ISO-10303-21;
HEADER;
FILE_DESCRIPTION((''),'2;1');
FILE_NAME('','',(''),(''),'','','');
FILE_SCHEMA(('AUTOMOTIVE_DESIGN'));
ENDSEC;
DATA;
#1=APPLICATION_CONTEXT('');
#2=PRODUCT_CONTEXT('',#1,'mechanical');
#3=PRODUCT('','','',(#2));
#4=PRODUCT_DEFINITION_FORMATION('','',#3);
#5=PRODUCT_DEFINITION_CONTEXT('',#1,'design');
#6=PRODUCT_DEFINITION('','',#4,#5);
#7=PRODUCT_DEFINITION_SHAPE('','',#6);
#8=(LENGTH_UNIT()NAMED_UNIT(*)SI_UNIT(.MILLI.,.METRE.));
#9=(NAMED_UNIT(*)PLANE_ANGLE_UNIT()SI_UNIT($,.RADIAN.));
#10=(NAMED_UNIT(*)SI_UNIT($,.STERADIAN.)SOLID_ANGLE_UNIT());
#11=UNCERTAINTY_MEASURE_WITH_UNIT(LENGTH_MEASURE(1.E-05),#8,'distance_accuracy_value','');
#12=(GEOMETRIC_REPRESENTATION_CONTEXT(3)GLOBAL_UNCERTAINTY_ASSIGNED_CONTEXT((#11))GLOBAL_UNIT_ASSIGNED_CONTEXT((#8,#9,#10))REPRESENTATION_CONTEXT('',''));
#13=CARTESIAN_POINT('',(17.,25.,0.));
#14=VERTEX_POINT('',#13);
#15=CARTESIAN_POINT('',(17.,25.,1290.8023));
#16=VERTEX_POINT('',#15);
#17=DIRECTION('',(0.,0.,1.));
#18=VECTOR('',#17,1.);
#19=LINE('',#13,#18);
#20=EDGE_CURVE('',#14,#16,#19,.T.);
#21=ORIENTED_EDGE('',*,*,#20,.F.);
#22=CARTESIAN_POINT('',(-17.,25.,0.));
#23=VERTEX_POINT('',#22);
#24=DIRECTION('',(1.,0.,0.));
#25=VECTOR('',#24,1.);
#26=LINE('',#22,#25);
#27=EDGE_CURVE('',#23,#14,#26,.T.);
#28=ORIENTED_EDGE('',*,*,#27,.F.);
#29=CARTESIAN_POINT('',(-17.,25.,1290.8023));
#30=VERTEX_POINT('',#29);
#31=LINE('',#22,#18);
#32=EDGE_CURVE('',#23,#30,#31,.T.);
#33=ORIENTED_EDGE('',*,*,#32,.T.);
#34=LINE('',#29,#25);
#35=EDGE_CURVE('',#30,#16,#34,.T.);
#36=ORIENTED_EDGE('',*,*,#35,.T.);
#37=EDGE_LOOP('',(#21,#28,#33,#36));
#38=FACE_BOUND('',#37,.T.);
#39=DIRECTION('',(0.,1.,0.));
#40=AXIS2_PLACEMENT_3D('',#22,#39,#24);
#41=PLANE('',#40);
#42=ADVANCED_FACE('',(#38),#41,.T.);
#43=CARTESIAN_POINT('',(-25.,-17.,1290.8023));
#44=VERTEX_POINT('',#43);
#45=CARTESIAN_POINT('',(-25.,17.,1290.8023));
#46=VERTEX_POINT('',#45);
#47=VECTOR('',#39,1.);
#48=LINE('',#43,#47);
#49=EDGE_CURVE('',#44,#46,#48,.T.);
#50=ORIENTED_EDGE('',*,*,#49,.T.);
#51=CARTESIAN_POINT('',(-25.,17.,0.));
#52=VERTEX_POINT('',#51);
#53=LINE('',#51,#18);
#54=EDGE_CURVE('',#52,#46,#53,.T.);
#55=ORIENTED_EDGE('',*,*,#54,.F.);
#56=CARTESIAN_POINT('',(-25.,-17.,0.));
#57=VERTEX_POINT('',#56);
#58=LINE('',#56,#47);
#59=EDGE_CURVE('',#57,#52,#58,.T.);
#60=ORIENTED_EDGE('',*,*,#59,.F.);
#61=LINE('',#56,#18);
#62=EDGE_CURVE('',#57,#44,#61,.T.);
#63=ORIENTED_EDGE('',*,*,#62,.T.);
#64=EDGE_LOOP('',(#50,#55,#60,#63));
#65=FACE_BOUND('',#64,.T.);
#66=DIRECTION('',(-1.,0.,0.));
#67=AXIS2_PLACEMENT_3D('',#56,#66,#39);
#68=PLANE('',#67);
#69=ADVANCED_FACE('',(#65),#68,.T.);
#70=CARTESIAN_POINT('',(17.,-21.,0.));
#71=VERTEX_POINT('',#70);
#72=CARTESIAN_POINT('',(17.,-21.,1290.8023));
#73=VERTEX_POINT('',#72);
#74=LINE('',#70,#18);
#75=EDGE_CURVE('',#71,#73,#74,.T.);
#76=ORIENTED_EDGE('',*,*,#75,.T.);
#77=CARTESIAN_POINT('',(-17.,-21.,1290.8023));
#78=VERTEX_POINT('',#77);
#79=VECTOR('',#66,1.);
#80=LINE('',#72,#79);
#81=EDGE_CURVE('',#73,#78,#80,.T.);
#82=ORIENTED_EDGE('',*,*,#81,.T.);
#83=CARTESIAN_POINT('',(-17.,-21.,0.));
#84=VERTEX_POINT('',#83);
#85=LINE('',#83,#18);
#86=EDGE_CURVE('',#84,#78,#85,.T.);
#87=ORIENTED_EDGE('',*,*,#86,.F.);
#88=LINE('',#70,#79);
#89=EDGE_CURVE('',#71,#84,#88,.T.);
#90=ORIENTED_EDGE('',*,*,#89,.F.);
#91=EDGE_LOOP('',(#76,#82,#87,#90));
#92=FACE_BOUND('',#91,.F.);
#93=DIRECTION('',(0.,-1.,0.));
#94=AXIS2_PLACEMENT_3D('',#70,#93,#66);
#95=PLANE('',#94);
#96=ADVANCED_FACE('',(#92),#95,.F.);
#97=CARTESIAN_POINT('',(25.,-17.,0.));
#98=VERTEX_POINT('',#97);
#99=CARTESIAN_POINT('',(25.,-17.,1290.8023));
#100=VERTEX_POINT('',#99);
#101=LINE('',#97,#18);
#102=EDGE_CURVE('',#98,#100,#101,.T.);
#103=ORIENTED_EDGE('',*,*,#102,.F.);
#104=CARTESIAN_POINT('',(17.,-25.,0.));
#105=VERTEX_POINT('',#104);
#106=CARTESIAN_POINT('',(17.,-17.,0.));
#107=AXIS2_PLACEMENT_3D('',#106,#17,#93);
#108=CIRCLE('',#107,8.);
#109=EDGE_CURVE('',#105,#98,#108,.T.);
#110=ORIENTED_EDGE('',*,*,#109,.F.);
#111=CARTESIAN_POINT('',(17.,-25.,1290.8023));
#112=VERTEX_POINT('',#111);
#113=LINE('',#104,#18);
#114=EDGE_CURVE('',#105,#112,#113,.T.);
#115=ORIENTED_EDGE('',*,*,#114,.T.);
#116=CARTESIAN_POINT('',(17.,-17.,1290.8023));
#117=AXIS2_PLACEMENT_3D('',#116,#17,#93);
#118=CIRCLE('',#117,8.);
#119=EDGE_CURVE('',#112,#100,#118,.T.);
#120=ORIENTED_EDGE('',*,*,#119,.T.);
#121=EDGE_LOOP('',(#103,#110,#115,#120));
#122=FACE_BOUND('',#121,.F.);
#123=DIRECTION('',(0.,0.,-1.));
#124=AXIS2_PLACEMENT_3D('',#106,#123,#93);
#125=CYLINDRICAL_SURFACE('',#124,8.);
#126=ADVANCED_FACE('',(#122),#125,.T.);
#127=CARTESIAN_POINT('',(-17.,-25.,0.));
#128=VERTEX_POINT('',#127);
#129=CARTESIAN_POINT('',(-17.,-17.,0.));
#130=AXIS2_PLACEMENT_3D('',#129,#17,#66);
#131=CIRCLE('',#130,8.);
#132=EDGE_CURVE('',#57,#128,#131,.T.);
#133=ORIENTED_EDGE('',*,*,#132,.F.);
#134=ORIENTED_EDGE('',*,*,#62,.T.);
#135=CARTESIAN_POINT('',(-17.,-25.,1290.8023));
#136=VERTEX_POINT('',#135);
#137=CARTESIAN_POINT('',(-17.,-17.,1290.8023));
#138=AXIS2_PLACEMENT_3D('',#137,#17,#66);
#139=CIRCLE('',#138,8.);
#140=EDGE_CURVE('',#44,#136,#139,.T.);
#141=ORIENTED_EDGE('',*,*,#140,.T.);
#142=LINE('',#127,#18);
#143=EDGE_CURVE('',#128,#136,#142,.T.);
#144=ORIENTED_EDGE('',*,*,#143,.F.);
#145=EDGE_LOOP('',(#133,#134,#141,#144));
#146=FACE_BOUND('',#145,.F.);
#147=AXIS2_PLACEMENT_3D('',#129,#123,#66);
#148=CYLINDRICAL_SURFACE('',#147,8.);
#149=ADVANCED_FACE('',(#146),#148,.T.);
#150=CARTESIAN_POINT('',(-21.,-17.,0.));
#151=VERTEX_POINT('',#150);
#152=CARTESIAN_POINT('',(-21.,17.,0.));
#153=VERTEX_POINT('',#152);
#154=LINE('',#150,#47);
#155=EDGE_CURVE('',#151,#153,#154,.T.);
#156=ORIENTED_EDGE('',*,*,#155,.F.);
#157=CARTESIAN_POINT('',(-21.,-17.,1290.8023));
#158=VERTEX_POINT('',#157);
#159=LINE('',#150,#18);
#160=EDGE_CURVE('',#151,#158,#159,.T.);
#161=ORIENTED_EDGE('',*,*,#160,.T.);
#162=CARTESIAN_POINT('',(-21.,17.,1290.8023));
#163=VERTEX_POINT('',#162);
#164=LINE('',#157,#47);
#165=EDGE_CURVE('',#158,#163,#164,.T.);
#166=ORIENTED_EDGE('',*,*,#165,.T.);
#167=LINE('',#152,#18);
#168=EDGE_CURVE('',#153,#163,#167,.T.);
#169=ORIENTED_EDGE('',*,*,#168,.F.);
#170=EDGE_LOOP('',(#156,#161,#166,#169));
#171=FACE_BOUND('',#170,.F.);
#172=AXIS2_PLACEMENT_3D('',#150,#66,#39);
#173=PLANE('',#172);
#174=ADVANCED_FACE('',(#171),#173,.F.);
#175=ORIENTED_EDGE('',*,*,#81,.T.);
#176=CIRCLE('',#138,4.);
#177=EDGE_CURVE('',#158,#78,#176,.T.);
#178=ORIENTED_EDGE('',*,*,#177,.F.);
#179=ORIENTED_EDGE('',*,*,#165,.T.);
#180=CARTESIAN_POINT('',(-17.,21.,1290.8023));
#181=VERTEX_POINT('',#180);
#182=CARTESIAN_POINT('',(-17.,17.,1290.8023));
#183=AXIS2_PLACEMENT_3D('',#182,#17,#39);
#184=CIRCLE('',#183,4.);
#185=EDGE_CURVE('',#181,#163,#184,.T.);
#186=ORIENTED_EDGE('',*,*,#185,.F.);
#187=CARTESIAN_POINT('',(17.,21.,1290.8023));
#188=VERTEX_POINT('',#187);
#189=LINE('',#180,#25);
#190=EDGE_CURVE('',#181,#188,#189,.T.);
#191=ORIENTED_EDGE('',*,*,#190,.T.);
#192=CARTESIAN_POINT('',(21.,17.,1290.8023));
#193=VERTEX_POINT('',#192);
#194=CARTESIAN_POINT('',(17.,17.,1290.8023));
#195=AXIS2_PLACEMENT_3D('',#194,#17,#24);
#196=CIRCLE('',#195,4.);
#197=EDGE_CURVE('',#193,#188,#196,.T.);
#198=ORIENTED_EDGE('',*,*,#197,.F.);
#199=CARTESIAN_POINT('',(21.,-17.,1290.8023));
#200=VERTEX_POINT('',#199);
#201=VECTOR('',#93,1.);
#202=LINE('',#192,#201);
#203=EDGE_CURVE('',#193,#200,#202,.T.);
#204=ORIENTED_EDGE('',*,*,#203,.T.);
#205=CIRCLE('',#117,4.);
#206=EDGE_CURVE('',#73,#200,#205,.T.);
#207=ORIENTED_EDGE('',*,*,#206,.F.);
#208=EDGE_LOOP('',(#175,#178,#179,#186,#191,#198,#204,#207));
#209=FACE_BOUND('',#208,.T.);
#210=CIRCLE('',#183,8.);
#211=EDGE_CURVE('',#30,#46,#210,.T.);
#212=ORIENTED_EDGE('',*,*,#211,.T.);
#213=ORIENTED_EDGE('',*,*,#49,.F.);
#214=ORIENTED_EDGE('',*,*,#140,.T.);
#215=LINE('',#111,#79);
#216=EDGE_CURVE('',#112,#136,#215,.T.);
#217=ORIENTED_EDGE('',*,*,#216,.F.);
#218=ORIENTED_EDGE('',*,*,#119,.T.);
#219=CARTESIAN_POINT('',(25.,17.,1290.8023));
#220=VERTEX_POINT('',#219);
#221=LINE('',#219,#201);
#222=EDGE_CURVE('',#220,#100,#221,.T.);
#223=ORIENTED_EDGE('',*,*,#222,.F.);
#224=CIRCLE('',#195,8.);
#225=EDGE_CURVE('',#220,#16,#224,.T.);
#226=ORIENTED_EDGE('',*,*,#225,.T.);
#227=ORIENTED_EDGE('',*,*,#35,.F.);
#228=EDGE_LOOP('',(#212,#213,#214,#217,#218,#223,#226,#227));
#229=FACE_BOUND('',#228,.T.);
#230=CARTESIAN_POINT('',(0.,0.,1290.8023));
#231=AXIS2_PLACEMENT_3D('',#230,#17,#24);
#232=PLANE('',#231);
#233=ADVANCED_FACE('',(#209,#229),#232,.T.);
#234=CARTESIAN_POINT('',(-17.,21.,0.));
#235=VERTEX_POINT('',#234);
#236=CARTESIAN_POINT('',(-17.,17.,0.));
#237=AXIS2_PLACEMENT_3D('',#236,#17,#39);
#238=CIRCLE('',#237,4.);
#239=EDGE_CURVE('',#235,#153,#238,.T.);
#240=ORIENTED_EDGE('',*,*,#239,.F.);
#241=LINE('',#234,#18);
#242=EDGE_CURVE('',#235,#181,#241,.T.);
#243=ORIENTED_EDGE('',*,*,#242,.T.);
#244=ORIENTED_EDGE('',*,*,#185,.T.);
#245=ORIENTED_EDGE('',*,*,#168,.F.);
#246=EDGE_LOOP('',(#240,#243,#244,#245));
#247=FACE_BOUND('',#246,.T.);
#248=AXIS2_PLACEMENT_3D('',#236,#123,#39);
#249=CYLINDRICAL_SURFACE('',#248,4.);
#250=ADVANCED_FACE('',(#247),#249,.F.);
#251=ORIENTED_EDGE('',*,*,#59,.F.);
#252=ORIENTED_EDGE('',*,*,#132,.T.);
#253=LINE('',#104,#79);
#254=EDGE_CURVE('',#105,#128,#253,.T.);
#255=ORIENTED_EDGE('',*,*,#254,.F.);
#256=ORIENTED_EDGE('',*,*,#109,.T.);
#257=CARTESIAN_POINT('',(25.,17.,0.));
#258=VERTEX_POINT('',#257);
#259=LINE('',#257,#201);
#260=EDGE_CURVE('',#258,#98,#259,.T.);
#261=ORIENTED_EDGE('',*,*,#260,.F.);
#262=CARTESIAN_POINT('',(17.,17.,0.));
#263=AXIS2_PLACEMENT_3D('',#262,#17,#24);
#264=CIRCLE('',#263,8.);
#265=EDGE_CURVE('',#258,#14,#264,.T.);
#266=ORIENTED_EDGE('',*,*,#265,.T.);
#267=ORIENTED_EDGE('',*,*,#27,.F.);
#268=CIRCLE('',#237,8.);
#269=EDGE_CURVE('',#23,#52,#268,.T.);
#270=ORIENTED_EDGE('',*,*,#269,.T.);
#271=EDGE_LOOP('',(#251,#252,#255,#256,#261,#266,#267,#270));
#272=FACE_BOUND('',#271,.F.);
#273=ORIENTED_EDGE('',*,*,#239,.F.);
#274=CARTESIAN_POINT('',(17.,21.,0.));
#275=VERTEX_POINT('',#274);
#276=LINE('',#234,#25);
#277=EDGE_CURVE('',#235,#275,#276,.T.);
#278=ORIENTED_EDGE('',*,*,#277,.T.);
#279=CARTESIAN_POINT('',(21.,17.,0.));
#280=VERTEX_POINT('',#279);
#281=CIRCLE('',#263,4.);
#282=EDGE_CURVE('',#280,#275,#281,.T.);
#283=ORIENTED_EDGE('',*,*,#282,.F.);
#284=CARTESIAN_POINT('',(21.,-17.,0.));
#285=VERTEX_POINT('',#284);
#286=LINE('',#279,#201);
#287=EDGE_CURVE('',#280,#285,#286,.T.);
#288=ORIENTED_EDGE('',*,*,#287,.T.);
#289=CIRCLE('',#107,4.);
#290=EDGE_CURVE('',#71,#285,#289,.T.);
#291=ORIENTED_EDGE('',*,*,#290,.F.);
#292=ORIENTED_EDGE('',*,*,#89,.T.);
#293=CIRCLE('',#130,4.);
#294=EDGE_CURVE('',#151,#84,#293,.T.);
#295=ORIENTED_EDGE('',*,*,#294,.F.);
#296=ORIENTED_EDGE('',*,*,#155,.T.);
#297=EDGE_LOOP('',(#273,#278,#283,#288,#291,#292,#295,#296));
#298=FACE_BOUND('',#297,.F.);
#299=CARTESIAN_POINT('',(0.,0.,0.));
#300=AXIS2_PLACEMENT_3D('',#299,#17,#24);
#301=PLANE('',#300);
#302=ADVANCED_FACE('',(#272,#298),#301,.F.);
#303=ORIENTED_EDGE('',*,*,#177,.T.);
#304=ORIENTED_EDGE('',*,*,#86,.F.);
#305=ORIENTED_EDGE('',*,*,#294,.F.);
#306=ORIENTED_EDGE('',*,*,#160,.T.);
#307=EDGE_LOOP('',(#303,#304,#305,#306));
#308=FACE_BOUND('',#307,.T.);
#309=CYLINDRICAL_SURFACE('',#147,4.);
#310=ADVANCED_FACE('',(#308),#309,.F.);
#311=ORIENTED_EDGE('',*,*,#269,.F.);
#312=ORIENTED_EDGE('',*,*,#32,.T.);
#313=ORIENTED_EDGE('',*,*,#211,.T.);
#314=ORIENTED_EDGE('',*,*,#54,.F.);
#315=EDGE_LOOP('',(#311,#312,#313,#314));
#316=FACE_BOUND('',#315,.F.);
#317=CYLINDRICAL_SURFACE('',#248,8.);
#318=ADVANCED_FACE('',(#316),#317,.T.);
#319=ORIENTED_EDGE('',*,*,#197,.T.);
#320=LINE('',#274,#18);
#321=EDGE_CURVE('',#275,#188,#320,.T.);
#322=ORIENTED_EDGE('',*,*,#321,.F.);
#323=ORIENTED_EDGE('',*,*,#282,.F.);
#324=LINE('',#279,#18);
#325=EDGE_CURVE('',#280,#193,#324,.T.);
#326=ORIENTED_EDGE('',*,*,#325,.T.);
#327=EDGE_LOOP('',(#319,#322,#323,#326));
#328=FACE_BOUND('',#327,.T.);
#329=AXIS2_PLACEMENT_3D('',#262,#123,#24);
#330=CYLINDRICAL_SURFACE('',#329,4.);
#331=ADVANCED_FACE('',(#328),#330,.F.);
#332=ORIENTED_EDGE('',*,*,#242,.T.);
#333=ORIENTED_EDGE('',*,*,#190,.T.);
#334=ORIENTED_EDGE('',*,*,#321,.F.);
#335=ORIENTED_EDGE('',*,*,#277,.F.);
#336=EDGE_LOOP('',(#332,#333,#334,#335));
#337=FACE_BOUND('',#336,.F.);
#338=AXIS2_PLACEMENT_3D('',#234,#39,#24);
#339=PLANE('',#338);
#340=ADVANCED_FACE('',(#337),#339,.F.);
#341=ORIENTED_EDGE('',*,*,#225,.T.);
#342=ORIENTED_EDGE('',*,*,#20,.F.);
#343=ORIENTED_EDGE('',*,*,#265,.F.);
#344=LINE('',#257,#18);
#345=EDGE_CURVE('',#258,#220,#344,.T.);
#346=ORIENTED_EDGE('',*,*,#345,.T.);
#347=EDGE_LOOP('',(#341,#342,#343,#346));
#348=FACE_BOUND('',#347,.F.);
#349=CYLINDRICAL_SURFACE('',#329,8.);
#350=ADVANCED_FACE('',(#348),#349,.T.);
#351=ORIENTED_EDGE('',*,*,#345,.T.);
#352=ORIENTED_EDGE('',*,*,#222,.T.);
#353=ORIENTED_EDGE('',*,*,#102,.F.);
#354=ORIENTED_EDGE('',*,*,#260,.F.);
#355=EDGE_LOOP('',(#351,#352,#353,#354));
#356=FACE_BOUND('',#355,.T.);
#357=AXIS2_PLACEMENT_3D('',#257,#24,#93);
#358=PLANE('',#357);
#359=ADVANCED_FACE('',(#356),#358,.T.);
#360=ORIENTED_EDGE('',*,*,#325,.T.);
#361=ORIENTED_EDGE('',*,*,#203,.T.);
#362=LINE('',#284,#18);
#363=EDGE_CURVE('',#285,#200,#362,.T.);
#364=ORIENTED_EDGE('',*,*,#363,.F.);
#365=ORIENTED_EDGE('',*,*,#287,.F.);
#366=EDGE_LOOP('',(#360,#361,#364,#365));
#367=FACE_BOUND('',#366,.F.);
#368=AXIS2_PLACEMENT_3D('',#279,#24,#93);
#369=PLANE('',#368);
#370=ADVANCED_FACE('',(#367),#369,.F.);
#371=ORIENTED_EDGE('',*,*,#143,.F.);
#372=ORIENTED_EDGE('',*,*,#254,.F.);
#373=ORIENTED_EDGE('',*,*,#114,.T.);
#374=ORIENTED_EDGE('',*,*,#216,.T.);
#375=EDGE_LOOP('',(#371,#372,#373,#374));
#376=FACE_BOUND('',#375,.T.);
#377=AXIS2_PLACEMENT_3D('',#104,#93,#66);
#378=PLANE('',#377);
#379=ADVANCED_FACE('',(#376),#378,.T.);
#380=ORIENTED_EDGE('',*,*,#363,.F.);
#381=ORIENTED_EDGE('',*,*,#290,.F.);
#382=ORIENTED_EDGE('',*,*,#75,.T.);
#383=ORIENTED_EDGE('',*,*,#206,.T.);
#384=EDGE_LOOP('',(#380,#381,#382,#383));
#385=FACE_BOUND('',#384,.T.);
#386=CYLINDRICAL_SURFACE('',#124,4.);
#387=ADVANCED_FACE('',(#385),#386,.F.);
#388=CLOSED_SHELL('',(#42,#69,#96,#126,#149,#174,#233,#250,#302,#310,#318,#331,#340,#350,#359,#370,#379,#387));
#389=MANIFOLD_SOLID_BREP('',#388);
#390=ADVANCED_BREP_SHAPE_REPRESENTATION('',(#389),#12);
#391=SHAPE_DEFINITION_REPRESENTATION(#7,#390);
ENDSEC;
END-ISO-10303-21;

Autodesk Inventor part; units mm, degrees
ref_plane "YZ Plane" through (0, 0, 0) normal (1, 0, 0) x (0, 1, 0)
ref_plane "Start Plane" through (0, 0, 0) normal (0, 0, 1) x (1, 0, 0)
ref_plane "End Plane" through (0, 0, 1290.8023) normal (0, 0, 1) x (1, 0, 0)
sketch "Sketch" plane through (0, 0, 0) normal (0, 0, 1) x (1, 0, 0)
  line L0 (-25, -17) -> (-25, 17)
  line L1 (-17, 25) -> (17, 25)
  line L2 (25, 17) -> (25, -17)
  line L3 (17, -25) -> (-17, -25)
  arc A0 (-25, -17) -> (-17, -25) centre (-17, -17) ccw
  arc A1 (25, 17) -> (17, 25) centre (17, 17) ccw
  arc A2 (-17, 25) -> (-25, 17) centre (-17, 17) ccw
  arc A3 (17, -25) -> (25, -17) centre (17, -17) ccw
  arc A4 (-17, 21) -> (-21, 17) centre (-17, 17) ccw
  line L4 (-17, 21) -> (17, 21)
  arc A5 (21, 17) -> (17, 21) centre (17, 17) ccw
  line L5 (21, 17) -> (21, -17)
  arc A6 (17, -21) -> (21, -17) centre (17, -17) ccw
  line L6 (17, -21) -> (-17, -21)
  arc A7 (-21, -17) -> (-17, -21) centre (-17, -17) ccw
  line L7 (-21, -17) -> (-21, 17)
  line L8 (0, 37.3196) -> (0, -37.3196) construction
  line L9 (-37.3196, 0) -> (37.3196, 0) construction
  dimension "d7" = 8
  dimension "d9" = 50
  dimension "d11" = 50
  dimension "d12" = 4
  dimension "d15" = 25
  dimension "d16" = 25
extrude "Body" add sketch "Sketch" along normal up to surface (1290.8023 mm away) from surface at 0
sketch "Sketch3" plane through (0, 0, 0) normal (0, 0, 1) x (1, 0, 0)
  line L0 (0, 0) -> (10, 0)
ref_plane "Work Plane3" through (0, 0, 0) normal (0, -1, 0) x (1, 0, 0)
sketch "Sketch4" plane through (0, 0, 0) normal (0, -1, 0) x (1, 0, 0)
  line L0 (-2, 0) -> (12, 0) projected
  line L1 (-2, 1290.8023) -> (12, 1290.8023) projected
  dimension "d18" = 1290.8022
equation "\"d7\" = G_IR"
equation "\"d9\" = G_W"
equation "\"d11\" = G_H"
equation "\"d12\" = G_T"
equation "\"d15\" = 0.5 * d9"
equation "\"d16\" = 0.5 * d11"
equation "\"d3\" = G_L"
equation "\"G_W\" = 50"
equation "\"G_H\" = 50"
equation "\"G_T\" = 4"
equation "\"G_IR\" = 8"
equation "\"G_L\" = d18"
equation "\"G_OFFSET_START\" = 0"
equation "\"G_OFFSET_END\" = 0"
equation "\"d14\" = G_OFFSET_END + B_L"
equation "\"B_L\" = 1290.80225"
properties part number "ISO 4019 - 50x50x4 - 1290,8" material "Steel, Mild"
